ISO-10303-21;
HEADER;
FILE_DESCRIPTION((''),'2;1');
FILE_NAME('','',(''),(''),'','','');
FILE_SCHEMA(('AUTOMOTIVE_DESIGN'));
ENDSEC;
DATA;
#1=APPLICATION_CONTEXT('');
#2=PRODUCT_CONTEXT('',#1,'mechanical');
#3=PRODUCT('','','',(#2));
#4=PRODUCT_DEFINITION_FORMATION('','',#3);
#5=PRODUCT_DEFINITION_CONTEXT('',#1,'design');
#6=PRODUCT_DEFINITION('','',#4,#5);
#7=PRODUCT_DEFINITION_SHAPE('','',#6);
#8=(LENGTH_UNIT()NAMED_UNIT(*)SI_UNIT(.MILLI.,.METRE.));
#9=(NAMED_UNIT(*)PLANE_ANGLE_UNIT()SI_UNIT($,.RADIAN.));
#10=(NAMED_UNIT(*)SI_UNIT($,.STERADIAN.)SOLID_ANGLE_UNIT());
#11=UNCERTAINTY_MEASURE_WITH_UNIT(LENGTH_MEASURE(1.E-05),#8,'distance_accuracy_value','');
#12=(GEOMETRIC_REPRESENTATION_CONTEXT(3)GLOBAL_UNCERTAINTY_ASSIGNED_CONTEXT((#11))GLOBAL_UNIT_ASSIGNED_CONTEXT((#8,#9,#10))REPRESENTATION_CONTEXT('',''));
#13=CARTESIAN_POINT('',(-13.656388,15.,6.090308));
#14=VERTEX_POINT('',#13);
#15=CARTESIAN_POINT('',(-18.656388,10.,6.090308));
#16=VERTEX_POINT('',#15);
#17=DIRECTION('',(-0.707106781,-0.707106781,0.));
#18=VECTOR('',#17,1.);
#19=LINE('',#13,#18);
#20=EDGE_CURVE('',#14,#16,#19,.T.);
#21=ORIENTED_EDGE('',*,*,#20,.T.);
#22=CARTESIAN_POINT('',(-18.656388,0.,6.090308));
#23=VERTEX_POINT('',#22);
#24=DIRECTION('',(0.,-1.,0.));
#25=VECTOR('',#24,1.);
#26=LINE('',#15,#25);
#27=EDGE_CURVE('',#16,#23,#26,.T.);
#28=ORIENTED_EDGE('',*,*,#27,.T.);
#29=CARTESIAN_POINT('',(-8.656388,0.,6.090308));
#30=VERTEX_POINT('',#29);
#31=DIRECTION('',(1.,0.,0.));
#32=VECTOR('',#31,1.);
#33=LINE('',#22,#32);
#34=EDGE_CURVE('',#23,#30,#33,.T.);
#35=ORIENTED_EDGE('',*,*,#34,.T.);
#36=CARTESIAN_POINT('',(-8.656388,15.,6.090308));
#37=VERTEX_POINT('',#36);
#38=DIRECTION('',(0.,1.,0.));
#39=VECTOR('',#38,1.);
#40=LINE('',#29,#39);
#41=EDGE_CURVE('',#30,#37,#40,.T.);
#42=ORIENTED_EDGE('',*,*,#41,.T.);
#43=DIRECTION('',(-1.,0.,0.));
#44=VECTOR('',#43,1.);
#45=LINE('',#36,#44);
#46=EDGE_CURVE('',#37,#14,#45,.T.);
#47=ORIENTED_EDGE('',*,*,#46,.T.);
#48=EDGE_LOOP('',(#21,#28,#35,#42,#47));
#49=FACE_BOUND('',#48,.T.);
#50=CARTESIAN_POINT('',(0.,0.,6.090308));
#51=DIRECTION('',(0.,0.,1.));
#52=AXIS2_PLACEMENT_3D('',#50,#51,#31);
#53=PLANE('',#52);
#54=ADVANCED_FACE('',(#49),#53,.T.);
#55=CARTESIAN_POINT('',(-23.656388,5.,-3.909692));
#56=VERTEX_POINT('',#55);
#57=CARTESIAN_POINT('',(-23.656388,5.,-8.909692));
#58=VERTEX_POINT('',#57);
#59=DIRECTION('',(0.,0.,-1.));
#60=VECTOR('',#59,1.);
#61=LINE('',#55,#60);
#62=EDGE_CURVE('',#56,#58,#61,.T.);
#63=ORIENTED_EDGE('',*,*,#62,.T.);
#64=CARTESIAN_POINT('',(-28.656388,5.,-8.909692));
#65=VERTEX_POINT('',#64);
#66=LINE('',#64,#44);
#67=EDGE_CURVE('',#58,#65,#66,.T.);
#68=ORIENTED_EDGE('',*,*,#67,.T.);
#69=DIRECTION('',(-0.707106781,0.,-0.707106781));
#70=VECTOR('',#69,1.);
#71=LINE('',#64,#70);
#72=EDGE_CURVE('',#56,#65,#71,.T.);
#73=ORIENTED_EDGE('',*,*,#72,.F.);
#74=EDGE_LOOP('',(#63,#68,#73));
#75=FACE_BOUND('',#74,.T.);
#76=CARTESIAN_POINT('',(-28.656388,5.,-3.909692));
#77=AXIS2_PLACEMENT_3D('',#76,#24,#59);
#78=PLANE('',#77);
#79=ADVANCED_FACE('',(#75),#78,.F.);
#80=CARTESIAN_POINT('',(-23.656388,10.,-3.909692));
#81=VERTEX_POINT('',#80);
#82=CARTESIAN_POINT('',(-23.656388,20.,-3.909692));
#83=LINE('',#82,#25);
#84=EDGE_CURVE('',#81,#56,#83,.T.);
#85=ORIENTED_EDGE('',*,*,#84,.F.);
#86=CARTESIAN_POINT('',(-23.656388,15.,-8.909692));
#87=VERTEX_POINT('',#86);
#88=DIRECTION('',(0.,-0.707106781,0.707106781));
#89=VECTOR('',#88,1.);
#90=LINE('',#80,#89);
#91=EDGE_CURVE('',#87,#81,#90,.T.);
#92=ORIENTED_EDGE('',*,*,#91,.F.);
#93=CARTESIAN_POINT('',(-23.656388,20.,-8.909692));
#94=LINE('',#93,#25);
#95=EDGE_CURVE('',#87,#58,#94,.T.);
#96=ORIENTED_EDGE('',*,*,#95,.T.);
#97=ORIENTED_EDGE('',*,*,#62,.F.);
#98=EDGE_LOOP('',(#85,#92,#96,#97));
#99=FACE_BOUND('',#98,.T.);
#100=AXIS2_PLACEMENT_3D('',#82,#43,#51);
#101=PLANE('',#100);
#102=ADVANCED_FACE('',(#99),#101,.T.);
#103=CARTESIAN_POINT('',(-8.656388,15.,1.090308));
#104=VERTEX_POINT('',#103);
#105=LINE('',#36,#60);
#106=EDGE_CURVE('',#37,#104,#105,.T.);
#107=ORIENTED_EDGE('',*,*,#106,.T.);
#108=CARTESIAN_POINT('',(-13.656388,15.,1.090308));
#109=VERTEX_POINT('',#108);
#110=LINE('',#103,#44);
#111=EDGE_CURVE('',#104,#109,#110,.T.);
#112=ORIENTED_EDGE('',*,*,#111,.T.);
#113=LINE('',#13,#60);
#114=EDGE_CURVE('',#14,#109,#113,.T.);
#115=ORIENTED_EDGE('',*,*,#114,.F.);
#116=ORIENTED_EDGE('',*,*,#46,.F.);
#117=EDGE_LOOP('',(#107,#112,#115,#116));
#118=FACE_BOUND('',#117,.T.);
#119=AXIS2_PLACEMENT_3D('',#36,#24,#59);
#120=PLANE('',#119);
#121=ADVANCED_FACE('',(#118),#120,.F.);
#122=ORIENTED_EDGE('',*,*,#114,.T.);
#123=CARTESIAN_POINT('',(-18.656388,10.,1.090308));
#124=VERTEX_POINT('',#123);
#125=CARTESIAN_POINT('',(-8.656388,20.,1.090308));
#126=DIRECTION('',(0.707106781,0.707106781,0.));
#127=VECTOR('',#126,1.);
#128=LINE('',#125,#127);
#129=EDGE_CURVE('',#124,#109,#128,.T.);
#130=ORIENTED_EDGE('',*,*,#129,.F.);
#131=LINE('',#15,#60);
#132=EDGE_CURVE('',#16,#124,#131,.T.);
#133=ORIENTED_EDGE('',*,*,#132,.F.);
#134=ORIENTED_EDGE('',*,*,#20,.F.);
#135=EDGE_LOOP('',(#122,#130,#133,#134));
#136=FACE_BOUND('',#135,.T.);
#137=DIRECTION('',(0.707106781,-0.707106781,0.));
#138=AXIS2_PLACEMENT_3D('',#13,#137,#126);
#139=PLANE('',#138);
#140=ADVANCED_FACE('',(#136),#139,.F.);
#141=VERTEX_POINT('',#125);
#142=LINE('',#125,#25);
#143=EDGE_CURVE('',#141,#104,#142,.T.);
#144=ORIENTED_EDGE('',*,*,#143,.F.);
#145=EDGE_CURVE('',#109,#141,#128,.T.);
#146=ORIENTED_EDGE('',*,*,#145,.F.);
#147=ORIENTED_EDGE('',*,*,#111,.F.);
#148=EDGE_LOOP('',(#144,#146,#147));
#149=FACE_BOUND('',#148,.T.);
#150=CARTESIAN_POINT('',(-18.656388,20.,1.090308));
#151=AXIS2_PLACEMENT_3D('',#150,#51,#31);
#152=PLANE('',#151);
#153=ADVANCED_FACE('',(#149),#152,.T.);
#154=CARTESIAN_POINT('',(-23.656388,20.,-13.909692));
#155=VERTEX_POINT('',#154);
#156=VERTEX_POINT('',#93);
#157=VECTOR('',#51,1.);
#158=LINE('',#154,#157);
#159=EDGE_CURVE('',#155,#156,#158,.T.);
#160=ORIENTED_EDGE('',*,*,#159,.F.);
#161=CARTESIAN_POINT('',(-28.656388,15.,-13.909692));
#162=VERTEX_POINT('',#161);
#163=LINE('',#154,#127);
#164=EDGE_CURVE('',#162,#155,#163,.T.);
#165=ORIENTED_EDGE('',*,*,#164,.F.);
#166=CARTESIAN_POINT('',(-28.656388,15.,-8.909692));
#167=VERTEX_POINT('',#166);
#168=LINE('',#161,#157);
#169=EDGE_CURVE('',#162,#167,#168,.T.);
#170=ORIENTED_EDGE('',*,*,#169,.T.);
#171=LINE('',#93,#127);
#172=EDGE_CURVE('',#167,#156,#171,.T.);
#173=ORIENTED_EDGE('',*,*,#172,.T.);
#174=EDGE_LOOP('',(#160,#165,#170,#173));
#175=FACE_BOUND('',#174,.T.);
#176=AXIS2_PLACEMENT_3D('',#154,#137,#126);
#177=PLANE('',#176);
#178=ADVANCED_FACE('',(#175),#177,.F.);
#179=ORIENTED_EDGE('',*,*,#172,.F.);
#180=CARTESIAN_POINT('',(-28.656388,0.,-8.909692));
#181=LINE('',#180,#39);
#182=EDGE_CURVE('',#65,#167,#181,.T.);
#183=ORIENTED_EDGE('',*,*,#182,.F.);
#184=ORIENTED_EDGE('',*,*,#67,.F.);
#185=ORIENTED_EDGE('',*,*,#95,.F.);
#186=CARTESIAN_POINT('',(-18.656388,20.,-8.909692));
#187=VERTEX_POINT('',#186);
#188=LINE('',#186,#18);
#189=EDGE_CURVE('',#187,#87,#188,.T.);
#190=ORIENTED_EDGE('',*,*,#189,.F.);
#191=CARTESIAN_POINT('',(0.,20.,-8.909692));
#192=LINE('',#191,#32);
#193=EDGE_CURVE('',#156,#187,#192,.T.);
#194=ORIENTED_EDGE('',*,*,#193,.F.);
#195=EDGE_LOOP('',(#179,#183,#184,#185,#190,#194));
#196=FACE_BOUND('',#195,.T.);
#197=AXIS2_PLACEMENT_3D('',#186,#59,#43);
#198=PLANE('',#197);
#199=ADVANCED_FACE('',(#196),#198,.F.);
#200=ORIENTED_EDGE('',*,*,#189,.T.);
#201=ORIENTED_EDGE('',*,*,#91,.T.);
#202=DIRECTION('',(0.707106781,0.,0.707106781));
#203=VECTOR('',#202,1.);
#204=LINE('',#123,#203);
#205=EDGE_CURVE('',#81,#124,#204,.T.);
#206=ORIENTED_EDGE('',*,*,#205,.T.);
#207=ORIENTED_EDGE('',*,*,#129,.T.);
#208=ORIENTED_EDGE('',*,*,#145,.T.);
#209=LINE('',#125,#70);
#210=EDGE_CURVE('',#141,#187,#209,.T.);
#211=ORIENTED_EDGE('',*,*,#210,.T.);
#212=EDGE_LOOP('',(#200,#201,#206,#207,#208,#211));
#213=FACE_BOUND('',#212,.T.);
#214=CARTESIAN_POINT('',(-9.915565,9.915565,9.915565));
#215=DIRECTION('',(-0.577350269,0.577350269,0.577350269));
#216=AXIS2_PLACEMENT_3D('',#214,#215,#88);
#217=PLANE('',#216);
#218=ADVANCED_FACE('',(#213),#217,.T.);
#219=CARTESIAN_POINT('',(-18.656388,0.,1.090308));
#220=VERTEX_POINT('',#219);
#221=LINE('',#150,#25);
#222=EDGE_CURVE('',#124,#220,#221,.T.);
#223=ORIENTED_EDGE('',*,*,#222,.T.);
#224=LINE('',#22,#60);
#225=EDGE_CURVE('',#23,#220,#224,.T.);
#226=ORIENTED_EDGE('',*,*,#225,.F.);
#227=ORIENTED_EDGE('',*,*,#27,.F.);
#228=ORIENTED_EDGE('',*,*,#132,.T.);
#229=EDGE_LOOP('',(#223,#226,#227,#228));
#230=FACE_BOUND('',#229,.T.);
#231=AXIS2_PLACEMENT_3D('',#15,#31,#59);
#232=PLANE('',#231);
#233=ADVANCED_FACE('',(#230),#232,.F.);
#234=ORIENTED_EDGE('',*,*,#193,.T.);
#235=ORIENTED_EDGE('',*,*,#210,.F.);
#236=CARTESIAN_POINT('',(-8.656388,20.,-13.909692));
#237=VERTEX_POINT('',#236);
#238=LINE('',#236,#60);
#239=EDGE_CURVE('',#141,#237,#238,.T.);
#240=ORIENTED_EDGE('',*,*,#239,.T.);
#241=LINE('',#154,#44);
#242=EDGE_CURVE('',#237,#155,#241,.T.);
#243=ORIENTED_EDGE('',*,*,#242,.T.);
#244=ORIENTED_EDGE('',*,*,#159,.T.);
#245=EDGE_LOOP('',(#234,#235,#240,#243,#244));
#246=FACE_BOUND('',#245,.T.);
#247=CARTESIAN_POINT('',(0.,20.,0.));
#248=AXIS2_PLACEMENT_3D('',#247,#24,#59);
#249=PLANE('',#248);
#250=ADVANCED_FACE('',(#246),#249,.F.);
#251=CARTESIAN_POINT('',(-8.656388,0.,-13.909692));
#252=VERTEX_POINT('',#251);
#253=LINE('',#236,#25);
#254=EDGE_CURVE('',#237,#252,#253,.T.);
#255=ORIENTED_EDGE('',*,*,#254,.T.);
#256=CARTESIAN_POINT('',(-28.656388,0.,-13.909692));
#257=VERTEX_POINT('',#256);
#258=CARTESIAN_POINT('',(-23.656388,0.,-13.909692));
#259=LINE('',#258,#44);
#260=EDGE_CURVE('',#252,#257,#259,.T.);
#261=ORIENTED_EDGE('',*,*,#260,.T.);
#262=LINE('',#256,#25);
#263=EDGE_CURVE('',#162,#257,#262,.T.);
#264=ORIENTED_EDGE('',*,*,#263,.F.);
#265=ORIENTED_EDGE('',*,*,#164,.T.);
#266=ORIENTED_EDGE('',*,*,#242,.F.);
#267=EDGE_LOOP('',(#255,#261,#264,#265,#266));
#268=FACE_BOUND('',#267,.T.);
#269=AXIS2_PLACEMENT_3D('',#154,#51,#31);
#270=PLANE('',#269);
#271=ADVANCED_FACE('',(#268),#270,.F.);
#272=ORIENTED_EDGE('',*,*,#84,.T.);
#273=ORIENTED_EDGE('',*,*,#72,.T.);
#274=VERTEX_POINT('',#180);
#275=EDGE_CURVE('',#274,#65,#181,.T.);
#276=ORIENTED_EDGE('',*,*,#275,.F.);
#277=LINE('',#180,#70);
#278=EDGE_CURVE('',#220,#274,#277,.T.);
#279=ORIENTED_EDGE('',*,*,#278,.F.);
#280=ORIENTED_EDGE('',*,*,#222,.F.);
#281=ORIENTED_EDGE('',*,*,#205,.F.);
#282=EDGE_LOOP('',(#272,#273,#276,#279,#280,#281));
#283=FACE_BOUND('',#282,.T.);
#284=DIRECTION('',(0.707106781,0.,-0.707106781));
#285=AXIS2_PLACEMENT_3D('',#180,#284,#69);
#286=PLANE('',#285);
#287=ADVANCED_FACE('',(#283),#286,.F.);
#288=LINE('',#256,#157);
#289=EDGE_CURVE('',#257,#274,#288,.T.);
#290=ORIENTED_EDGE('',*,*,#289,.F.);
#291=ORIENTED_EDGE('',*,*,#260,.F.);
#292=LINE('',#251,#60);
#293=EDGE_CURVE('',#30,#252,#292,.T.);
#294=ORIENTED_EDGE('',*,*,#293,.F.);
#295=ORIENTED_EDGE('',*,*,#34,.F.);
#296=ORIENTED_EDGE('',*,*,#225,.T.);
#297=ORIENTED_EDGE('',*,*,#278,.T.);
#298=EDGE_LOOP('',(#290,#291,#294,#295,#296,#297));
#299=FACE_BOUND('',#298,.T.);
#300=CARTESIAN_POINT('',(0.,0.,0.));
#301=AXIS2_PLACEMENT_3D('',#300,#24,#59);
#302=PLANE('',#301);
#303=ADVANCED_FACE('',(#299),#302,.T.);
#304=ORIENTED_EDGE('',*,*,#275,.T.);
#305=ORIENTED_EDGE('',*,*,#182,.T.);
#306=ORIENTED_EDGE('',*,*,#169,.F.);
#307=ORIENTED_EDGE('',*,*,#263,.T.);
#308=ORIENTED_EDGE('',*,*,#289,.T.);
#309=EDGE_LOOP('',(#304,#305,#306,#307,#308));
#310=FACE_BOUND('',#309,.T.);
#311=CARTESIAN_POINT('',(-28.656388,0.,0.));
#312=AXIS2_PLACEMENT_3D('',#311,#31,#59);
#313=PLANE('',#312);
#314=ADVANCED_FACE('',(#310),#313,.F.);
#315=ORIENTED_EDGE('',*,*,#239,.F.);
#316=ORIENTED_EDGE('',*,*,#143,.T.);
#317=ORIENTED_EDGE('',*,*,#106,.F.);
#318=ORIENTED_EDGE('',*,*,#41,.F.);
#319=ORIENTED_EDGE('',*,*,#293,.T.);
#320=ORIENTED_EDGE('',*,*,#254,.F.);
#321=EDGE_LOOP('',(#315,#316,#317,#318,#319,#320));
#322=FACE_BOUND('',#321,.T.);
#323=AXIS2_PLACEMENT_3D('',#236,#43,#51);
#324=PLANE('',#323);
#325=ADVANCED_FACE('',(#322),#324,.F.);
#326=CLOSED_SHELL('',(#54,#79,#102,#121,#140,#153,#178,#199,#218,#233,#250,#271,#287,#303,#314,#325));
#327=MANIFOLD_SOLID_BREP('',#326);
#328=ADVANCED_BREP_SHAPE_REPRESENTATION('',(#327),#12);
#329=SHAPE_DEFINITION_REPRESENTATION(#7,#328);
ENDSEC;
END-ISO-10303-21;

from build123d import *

# Parameters (mm, degrees)
BOSS_EXTRUDE1_DEPTH = 20
SKETCH2_W           = 5
SKETCH2_H           = 20
BOSS_EXTRUDE2_DEPTH = 5
CUT_EXTRUDE1_DEPTH  = 5
SKETCH4_W           = 5
SKETCH4_H           = 5
BOSS_EXTRUDE3_DEPTH = 5
CUT_EXTRUDE2_DEPTH  = 5
BOSS_EXTRUDE4_DEPTH = 20
CUT_EXTRUDE3_DEPTH  = 20
BOSS_EXTRUDE5_DEPTH = 5


with BuildPart() as part:
    # Sketch1 → Boss-Extrude1 (new body)
    with BuildSketch(Plane(origin=(0, 0, 0), x_dir=(1, 0, 0), z_dir=(0, 1, 0))):
        Polygon((-23.656387665, 13.90969163), (-8.656387665, 13.90969163), (-8.656387665, -1.09030837), (-18.656387665, 8.90969163), (-23.656387665, 8.90969163), align=None)
    extrude(amount=BOSS_EXTRUDE1_DEPTH)

    # Sketch2 → Boss-Extrude2 (add)
    with BuildSketch(Plane.ZY.offset(23.656387665)):
        with Locations((-11.40969163, 10)):
            Rectangle(SKETCH2_W, SKETCH2_H)
    extrude(amount=BOSS_EXTRUDE2_DEPTH)

    # Sketch3 → Cut-Extrude1 (cut)
    with BuildSketch(Plane.XY.offset(-8.90969163)):
        Polygon((-23.656387665, 20), (-28.656387665, 15), (-28.656387665, 20), align=None)
    extrude(amount=-CUT_EXTRUDE1_DEPTH, mode=Mode.SUBTRACT)

    # Sketch4 → Boss-Extrude3 (add)
    with BuildSketch(Plane.XY.offset(-8.90969163)):
        with Locations((-26.156387665, 2.5)):
            Rectangle(SKETCH4_W, SKETCH4_H)
    extrude(amount=BOSS_EXTRUDE3_DEPTH)

    # Sketch5 → Cut-Extrude2 (cut)
    with BuildSketch(Plane(origin=(0, 5, 0), x_dir=(1, 0, 0), z_dir=(0, 1, 0))):
        Polygon((-28.656387665, 8.90969163), (-23.656387665, 3.90969163), (-28.656387665, 3.90969163), align=None)
    extrude(amount=-CUT_EXTRUDE2_DEPTH, mode=Mode.SUBTRACT)

    # Sketch6 → Boss-Extrude4 (add)
    with BuildSketch(Plane(origin=(0, 0, 0), x_dir=(-1, 0, 0), z_dir=(0, -1, 0))):
        Polygon((18.656387665, -1.09030837), (23.656387665, 3.90969163), (23.656387665, 8.90969163), (18.656387665, 8.90969163), (8.656387665, -1.09030837), align=None)
    extrude(amount=-BOSS_EXTRUDE4_DEPTH)

    # 3DSketch1 → Cut-Extrude3 (cut, along a direction that is not the sketch's normal)
    with BuildSketch(Plane(origin=(-8.656387665, 20, 1.09030837), x_dir=(-0.8017837257372731, -0.26726124191242434, -0.5345224838248491), z_dir=(-0.577350269189626, 0.577350269189626, 0.5773502691896256))):
        Polygon((0, 0), (13.363062096, -4.629100499), (18.708286934, 0), (17.371980724, 6.943650748), (10.690449676, 9.258200998), align=None)
    extrude(amount=CUT_EXTRUDE3_DEPTH, dir=(0, 1, 0), mode=Mode.SUBTRACT)

    # Sketch7 → Boss-Extrude5 (add)
    with BuildSketch(Plane.XY.offset(1.09030837)):
        Polygon((-8.656387665, 15), (-13.656387665, 15), (-18.656387665, 10), (-18.656387665, 0), (-8.656387665, 0), align=None)
    extrude(amount=BOSS_EXTRUDE5_DEPTH)


solid = part.part
